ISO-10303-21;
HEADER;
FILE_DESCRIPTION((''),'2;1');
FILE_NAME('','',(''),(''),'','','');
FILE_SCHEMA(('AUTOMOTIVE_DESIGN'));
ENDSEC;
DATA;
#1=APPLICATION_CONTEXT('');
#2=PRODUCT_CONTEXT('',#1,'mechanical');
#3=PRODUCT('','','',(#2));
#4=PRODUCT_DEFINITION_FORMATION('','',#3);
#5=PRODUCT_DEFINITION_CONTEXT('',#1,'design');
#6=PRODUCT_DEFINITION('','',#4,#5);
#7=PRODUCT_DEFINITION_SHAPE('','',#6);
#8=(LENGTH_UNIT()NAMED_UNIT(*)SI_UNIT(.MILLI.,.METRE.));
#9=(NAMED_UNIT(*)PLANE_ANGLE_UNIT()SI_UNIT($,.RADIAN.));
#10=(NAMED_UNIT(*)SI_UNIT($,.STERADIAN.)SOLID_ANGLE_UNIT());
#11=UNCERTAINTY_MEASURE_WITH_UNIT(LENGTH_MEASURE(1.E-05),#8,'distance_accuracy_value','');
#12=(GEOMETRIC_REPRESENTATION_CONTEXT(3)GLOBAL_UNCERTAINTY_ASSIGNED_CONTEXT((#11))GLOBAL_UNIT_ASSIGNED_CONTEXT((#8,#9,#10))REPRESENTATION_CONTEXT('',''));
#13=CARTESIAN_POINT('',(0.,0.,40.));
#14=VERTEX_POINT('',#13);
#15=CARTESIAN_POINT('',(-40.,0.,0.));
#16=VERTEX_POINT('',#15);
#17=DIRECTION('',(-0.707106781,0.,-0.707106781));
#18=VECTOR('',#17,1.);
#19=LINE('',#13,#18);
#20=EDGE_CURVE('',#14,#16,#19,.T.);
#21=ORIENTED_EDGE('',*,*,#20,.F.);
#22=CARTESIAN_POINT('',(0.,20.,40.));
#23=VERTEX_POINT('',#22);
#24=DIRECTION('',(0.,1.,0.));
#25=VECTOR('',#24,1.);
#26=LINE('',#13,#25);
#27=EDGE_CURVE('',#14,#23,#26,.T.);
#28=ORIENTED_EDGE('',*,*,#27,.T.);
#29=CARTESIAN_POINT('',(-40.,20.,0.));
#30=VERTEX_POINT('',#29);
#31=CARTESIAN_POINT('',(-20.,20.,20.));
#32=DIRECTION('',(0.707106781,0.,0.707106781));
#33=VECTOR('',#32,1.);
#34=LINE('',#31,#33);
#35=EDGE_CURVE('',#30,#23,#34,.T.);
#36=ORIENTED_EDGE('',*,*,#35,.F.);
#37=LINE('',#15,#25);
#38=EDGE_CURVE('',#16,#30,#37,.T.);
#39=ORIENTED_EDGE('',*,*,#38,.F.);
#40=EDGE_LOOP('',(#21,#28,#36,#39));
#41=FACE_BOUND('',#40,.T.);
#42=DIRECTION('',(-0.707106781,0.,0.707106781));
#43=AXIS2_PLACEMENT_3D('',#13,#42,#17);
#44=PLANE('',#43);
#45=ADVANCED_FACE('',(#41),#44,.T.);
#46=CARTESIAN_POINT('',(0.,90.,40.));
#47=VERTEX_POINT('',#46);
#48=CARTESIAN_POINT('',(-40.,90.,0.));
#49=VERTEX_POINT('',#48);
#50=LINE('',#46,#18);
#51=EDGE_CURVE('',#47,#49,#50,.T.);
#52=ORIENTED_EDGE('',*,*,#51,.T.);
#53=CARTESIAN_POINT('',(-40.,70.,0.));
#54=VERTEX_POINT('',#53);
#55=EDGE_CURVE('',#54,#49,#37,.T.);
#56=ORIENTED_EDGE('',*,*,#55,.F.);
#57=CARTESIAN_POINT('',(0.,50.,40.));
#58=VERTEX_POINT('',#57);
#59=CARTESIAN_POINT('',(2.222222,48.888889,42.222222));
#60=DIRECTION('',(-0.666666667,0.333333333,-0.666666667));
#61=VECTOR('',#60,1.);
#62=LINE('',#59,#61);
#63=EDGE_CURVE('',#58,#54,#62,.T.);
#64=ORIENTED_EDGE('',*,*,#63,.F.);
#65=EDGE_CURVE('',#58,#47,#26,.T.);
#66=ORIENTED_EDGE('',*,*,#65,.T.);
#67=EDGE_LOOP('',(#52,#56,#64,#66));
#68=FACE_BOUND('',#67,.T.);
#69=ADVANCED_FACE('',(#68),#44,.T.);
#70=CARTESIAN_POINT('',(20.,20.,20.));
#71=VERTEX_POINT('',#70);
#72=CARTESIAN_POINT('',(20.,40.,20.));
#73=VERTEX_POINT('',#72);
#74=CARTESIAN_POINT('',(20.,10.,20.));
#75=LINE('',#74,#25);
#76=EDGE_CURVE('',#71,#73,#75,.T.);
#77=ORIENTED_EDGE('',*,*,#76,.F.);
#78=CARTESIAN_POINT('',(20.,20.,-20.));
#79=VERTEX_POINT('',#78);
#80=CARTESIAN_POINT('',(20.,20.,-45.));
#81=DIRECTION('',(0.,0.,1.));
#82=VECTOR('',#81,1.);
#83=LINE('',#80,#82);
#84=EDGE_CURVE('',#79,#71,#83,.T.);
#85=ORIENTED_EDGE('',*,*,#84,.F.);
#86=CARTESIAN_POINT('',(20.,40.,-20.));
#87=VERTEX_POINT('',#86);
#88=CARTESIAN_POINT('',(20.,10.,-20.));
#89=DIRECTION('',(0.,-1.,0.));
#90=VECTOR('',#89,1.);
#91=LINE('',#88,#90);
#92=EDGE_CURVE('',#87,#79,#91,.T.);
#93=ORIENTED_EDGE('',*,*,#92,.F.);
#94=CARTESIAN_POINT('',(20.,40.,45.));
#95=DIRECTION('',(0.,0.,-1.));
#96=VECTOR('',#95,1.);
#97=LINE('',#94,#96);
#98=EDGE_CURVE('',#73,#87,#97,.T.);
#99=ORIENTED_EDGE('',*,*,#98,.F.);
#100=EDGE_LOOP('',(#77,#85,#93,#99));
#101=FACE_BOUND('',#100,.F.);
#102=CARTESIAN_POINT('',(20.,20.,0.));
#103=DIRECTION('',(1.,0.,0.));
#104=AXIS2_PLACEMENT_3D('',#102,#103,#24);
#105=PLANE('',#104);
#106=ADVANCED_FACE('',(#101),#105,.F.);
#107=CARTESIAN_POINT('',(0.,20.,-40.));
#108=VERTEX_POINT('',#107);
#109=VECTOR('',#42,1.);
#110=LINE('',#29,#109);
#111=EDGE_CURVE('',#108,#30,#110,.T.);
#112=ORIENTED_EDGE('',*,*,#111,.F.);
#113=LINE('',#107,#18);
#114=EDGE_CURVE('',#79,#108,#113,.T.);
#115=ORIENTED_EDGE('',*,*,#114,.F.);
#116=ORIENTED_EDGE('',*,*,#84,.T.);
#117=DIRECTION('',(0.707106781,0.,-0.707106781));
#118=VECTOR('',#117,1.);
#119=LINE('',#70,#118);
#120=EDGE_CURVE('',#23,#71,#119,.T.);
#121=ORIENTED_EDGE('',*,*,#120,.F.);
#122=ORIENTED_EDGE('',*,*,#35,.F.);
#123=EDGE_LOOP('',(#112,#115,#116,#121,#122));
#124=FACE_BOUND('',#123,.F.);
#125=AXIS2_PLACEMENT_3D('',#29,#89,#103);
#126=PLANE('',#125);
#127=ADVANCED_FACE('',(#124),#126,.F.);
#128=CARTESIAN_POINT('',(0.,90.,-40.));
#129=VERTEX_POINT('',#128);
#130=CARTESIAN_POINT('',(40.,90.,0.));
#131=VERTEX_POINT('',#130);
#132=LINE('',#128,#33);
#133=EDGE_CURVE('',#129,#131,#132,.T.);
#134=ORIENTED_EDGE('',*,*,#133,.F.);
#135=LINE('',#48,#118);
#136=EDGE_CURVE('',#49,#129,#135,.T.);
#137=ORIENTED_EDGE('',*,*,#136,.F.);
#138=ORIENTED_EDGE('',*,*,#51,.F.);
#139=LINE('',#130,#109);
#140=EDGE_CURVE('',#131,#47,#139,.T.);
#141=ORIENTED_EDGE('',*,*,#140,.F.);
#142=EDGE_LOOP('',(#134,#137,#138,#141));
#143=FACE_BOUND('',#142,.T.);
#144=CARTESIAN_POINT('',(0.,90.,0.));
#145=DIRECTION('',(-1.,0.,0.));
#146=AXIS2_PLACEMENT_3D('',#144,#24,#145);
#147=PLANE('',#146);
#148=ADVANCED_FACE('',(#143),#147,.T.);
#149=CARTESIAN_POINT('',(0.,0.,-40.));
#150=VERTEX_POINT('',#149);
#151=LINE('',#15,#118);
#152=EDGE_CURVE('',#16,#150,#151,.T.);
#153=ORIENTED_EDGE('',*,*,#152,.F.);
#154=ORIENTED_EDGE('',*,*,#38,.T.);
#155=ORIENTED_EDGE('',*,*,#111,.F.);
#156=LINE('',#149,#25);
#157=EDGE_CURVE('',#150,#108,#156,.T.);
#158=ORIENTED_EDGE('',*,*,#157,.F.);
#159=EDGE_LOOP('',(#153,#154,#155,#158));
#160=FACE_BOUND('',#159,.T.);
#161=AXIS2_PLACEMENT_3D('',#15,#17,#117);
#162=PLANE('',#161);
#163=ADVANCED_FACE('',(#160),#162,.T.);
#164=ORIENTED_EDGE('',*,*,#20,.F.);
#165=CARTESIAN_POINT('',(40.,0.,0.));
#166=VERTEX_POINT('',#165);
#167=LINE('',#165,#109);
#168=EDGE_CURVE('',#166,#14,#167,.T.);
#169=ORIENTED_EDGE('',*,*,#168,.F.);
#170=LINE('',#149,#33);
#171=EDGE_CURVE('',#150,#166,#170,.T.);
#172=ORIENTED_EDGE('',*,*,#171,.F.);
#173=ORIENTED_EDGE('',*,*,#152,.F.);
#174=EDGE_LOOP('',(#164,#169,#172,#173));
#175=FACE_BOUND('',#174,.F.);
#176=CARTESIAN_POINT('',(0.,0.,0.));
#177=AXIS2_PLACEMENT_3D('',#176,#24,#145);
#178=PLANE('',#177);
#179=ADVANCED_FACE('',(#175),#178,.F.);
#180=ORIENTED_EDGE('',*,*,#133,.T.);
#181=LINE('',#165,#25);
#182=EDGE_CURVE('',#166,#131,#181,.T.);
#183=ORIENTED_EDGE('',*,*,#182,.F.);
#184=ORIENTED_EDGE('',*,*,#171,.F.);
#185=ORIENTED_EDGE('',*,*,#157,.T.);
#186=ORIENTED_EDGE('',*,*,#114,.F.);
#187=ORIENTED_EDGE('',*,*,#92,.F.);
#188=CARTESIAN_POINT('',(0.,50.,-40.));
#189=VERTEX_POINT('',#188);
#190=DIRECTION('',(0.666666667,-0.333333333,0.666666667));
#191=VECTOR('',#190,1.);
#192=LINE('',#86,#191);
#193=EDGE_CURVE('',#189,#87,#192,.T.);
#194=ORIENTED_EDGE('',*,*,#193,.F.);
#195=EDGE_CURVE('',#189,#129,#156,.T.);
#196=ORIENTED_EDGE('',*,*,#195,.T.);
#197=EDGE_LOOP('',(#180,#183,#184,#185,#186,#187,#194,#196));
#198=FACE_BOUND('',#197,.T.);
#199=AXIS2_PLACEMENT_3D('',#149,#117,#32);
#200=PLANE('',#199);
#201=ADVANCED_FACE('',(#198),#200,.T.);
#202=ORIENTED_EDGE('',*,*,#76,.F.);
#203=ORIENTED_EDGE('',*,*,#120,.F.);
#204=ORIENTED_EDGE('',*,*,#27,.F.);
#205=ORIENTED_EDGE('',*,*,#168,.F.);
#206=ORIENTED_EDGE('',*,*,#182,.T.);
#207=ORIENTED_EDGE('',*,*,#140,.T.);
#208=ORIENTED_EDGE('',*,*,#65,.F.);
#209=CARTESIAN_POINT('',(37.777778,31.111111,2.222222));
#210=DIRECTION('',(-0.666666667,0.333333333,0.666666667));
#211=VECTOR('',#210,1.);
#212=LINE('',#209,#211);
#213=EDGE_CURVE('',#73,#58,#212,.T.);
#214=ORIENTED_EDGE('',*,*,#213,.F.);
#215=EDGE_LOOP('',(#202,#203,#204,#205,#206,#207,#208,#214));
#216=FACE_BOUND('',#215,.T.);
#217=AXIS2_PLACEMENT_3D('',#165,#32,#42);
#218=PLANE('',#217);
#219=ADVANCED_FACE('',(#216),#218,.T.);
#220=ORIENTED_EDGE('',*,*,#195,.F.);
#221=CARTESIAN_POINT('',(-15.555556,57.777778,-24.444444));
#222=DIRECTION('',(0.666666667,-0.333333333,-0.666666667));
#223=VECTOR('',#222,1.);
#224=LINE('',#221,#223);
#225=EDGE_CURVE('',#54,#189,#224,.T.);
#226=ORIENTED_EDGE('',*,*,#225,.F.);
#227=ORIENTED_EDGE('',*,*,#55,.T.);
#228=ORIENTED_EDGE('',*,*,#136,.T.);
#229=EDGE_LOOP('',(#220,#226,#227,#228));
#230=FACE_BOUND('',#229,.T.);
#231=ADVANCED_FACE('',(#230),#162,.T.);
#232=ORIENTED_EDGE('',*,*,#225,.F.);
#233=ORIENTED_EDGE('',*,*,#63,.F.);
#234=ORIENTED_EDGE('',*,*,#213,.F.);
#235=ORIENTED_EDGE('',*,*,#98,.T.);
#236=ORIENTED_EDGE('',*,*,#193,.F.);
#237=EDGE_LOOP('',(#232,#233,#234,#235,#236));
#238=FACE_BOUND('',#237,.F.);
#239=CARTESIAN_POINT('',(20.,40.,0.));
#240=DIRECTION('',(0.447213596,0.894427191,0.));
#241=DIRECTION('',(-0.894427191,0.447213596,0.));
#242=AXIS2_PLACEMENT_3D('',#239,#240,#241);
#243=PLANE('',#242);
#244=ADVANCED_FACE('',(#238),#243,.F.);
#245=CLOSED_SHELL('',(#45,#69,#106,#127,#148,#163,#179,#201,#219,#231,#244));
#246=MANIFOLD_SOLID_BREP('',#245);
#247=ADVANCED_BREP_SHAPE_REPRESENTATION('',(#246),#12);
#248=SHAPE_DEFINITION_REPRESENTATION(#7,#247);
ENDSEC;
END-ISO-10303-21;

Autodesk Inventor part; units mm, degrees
ref_plane "YZ Plane" through (0, 0, 0) normal (1, 0, 0) x (0, 1, 0)
ref_plane "XZ Plane" through (0, 0, 0) normal (0, 1, 0) x (-1, 0, 0)
ref_plane "XY Plane" through (0, 0, 0) normal (0, 0, 1) x (1, 0, 0)
sketch "Эскиз1" plane through (0, 0, 0) normal (0, 1, 0) x (-1, 0, 0)
  circle A0 centre (0, 0) radius 40
  line L0 (0, 40) -> (40, 0)
  line L1 (40, 0) -> (0, -40)
  line L2 (0, -40) -> (-40, 0)
  line L3 (-40, 0) -> (0, 40)
  dimension "d0" = 80
extrude "Выдавливание1" add sketch "Эскиз1" along normal blind 90 contours L1 L2 L3 L0
sketch "Эскиз2" plane through (0, 0, 0) normal (0, 0, 1) x (1, 0, 0)
  line L0 (0, 90) -> (-40, 90) projected
  line L1 (-40, 90) -> (-40, 70)
  line L2 (-40, 0) -> (-40, 90) projected
  line L3 (0, 0) -> (-40, 0) projected
  line L4 (-40, 0) -> (-40, 20)
  line L5 (-40, 20) -> (20, 20)
  line L6 (20, 20) -> (20, 40)
  line L7 (20, 40) -> (-40, 70)
  line L8 (-40, 20) -> (-40, 70)
  dimension "d3" = 20
  dimension "d4" = 20
  dimension "d5" = 60
  dimension "d6" = 20
extrude "Выдавливание2" cut sketch "Эскиз2" against normal mid plane 90
properties part number "Деталь1Индивидуал"
